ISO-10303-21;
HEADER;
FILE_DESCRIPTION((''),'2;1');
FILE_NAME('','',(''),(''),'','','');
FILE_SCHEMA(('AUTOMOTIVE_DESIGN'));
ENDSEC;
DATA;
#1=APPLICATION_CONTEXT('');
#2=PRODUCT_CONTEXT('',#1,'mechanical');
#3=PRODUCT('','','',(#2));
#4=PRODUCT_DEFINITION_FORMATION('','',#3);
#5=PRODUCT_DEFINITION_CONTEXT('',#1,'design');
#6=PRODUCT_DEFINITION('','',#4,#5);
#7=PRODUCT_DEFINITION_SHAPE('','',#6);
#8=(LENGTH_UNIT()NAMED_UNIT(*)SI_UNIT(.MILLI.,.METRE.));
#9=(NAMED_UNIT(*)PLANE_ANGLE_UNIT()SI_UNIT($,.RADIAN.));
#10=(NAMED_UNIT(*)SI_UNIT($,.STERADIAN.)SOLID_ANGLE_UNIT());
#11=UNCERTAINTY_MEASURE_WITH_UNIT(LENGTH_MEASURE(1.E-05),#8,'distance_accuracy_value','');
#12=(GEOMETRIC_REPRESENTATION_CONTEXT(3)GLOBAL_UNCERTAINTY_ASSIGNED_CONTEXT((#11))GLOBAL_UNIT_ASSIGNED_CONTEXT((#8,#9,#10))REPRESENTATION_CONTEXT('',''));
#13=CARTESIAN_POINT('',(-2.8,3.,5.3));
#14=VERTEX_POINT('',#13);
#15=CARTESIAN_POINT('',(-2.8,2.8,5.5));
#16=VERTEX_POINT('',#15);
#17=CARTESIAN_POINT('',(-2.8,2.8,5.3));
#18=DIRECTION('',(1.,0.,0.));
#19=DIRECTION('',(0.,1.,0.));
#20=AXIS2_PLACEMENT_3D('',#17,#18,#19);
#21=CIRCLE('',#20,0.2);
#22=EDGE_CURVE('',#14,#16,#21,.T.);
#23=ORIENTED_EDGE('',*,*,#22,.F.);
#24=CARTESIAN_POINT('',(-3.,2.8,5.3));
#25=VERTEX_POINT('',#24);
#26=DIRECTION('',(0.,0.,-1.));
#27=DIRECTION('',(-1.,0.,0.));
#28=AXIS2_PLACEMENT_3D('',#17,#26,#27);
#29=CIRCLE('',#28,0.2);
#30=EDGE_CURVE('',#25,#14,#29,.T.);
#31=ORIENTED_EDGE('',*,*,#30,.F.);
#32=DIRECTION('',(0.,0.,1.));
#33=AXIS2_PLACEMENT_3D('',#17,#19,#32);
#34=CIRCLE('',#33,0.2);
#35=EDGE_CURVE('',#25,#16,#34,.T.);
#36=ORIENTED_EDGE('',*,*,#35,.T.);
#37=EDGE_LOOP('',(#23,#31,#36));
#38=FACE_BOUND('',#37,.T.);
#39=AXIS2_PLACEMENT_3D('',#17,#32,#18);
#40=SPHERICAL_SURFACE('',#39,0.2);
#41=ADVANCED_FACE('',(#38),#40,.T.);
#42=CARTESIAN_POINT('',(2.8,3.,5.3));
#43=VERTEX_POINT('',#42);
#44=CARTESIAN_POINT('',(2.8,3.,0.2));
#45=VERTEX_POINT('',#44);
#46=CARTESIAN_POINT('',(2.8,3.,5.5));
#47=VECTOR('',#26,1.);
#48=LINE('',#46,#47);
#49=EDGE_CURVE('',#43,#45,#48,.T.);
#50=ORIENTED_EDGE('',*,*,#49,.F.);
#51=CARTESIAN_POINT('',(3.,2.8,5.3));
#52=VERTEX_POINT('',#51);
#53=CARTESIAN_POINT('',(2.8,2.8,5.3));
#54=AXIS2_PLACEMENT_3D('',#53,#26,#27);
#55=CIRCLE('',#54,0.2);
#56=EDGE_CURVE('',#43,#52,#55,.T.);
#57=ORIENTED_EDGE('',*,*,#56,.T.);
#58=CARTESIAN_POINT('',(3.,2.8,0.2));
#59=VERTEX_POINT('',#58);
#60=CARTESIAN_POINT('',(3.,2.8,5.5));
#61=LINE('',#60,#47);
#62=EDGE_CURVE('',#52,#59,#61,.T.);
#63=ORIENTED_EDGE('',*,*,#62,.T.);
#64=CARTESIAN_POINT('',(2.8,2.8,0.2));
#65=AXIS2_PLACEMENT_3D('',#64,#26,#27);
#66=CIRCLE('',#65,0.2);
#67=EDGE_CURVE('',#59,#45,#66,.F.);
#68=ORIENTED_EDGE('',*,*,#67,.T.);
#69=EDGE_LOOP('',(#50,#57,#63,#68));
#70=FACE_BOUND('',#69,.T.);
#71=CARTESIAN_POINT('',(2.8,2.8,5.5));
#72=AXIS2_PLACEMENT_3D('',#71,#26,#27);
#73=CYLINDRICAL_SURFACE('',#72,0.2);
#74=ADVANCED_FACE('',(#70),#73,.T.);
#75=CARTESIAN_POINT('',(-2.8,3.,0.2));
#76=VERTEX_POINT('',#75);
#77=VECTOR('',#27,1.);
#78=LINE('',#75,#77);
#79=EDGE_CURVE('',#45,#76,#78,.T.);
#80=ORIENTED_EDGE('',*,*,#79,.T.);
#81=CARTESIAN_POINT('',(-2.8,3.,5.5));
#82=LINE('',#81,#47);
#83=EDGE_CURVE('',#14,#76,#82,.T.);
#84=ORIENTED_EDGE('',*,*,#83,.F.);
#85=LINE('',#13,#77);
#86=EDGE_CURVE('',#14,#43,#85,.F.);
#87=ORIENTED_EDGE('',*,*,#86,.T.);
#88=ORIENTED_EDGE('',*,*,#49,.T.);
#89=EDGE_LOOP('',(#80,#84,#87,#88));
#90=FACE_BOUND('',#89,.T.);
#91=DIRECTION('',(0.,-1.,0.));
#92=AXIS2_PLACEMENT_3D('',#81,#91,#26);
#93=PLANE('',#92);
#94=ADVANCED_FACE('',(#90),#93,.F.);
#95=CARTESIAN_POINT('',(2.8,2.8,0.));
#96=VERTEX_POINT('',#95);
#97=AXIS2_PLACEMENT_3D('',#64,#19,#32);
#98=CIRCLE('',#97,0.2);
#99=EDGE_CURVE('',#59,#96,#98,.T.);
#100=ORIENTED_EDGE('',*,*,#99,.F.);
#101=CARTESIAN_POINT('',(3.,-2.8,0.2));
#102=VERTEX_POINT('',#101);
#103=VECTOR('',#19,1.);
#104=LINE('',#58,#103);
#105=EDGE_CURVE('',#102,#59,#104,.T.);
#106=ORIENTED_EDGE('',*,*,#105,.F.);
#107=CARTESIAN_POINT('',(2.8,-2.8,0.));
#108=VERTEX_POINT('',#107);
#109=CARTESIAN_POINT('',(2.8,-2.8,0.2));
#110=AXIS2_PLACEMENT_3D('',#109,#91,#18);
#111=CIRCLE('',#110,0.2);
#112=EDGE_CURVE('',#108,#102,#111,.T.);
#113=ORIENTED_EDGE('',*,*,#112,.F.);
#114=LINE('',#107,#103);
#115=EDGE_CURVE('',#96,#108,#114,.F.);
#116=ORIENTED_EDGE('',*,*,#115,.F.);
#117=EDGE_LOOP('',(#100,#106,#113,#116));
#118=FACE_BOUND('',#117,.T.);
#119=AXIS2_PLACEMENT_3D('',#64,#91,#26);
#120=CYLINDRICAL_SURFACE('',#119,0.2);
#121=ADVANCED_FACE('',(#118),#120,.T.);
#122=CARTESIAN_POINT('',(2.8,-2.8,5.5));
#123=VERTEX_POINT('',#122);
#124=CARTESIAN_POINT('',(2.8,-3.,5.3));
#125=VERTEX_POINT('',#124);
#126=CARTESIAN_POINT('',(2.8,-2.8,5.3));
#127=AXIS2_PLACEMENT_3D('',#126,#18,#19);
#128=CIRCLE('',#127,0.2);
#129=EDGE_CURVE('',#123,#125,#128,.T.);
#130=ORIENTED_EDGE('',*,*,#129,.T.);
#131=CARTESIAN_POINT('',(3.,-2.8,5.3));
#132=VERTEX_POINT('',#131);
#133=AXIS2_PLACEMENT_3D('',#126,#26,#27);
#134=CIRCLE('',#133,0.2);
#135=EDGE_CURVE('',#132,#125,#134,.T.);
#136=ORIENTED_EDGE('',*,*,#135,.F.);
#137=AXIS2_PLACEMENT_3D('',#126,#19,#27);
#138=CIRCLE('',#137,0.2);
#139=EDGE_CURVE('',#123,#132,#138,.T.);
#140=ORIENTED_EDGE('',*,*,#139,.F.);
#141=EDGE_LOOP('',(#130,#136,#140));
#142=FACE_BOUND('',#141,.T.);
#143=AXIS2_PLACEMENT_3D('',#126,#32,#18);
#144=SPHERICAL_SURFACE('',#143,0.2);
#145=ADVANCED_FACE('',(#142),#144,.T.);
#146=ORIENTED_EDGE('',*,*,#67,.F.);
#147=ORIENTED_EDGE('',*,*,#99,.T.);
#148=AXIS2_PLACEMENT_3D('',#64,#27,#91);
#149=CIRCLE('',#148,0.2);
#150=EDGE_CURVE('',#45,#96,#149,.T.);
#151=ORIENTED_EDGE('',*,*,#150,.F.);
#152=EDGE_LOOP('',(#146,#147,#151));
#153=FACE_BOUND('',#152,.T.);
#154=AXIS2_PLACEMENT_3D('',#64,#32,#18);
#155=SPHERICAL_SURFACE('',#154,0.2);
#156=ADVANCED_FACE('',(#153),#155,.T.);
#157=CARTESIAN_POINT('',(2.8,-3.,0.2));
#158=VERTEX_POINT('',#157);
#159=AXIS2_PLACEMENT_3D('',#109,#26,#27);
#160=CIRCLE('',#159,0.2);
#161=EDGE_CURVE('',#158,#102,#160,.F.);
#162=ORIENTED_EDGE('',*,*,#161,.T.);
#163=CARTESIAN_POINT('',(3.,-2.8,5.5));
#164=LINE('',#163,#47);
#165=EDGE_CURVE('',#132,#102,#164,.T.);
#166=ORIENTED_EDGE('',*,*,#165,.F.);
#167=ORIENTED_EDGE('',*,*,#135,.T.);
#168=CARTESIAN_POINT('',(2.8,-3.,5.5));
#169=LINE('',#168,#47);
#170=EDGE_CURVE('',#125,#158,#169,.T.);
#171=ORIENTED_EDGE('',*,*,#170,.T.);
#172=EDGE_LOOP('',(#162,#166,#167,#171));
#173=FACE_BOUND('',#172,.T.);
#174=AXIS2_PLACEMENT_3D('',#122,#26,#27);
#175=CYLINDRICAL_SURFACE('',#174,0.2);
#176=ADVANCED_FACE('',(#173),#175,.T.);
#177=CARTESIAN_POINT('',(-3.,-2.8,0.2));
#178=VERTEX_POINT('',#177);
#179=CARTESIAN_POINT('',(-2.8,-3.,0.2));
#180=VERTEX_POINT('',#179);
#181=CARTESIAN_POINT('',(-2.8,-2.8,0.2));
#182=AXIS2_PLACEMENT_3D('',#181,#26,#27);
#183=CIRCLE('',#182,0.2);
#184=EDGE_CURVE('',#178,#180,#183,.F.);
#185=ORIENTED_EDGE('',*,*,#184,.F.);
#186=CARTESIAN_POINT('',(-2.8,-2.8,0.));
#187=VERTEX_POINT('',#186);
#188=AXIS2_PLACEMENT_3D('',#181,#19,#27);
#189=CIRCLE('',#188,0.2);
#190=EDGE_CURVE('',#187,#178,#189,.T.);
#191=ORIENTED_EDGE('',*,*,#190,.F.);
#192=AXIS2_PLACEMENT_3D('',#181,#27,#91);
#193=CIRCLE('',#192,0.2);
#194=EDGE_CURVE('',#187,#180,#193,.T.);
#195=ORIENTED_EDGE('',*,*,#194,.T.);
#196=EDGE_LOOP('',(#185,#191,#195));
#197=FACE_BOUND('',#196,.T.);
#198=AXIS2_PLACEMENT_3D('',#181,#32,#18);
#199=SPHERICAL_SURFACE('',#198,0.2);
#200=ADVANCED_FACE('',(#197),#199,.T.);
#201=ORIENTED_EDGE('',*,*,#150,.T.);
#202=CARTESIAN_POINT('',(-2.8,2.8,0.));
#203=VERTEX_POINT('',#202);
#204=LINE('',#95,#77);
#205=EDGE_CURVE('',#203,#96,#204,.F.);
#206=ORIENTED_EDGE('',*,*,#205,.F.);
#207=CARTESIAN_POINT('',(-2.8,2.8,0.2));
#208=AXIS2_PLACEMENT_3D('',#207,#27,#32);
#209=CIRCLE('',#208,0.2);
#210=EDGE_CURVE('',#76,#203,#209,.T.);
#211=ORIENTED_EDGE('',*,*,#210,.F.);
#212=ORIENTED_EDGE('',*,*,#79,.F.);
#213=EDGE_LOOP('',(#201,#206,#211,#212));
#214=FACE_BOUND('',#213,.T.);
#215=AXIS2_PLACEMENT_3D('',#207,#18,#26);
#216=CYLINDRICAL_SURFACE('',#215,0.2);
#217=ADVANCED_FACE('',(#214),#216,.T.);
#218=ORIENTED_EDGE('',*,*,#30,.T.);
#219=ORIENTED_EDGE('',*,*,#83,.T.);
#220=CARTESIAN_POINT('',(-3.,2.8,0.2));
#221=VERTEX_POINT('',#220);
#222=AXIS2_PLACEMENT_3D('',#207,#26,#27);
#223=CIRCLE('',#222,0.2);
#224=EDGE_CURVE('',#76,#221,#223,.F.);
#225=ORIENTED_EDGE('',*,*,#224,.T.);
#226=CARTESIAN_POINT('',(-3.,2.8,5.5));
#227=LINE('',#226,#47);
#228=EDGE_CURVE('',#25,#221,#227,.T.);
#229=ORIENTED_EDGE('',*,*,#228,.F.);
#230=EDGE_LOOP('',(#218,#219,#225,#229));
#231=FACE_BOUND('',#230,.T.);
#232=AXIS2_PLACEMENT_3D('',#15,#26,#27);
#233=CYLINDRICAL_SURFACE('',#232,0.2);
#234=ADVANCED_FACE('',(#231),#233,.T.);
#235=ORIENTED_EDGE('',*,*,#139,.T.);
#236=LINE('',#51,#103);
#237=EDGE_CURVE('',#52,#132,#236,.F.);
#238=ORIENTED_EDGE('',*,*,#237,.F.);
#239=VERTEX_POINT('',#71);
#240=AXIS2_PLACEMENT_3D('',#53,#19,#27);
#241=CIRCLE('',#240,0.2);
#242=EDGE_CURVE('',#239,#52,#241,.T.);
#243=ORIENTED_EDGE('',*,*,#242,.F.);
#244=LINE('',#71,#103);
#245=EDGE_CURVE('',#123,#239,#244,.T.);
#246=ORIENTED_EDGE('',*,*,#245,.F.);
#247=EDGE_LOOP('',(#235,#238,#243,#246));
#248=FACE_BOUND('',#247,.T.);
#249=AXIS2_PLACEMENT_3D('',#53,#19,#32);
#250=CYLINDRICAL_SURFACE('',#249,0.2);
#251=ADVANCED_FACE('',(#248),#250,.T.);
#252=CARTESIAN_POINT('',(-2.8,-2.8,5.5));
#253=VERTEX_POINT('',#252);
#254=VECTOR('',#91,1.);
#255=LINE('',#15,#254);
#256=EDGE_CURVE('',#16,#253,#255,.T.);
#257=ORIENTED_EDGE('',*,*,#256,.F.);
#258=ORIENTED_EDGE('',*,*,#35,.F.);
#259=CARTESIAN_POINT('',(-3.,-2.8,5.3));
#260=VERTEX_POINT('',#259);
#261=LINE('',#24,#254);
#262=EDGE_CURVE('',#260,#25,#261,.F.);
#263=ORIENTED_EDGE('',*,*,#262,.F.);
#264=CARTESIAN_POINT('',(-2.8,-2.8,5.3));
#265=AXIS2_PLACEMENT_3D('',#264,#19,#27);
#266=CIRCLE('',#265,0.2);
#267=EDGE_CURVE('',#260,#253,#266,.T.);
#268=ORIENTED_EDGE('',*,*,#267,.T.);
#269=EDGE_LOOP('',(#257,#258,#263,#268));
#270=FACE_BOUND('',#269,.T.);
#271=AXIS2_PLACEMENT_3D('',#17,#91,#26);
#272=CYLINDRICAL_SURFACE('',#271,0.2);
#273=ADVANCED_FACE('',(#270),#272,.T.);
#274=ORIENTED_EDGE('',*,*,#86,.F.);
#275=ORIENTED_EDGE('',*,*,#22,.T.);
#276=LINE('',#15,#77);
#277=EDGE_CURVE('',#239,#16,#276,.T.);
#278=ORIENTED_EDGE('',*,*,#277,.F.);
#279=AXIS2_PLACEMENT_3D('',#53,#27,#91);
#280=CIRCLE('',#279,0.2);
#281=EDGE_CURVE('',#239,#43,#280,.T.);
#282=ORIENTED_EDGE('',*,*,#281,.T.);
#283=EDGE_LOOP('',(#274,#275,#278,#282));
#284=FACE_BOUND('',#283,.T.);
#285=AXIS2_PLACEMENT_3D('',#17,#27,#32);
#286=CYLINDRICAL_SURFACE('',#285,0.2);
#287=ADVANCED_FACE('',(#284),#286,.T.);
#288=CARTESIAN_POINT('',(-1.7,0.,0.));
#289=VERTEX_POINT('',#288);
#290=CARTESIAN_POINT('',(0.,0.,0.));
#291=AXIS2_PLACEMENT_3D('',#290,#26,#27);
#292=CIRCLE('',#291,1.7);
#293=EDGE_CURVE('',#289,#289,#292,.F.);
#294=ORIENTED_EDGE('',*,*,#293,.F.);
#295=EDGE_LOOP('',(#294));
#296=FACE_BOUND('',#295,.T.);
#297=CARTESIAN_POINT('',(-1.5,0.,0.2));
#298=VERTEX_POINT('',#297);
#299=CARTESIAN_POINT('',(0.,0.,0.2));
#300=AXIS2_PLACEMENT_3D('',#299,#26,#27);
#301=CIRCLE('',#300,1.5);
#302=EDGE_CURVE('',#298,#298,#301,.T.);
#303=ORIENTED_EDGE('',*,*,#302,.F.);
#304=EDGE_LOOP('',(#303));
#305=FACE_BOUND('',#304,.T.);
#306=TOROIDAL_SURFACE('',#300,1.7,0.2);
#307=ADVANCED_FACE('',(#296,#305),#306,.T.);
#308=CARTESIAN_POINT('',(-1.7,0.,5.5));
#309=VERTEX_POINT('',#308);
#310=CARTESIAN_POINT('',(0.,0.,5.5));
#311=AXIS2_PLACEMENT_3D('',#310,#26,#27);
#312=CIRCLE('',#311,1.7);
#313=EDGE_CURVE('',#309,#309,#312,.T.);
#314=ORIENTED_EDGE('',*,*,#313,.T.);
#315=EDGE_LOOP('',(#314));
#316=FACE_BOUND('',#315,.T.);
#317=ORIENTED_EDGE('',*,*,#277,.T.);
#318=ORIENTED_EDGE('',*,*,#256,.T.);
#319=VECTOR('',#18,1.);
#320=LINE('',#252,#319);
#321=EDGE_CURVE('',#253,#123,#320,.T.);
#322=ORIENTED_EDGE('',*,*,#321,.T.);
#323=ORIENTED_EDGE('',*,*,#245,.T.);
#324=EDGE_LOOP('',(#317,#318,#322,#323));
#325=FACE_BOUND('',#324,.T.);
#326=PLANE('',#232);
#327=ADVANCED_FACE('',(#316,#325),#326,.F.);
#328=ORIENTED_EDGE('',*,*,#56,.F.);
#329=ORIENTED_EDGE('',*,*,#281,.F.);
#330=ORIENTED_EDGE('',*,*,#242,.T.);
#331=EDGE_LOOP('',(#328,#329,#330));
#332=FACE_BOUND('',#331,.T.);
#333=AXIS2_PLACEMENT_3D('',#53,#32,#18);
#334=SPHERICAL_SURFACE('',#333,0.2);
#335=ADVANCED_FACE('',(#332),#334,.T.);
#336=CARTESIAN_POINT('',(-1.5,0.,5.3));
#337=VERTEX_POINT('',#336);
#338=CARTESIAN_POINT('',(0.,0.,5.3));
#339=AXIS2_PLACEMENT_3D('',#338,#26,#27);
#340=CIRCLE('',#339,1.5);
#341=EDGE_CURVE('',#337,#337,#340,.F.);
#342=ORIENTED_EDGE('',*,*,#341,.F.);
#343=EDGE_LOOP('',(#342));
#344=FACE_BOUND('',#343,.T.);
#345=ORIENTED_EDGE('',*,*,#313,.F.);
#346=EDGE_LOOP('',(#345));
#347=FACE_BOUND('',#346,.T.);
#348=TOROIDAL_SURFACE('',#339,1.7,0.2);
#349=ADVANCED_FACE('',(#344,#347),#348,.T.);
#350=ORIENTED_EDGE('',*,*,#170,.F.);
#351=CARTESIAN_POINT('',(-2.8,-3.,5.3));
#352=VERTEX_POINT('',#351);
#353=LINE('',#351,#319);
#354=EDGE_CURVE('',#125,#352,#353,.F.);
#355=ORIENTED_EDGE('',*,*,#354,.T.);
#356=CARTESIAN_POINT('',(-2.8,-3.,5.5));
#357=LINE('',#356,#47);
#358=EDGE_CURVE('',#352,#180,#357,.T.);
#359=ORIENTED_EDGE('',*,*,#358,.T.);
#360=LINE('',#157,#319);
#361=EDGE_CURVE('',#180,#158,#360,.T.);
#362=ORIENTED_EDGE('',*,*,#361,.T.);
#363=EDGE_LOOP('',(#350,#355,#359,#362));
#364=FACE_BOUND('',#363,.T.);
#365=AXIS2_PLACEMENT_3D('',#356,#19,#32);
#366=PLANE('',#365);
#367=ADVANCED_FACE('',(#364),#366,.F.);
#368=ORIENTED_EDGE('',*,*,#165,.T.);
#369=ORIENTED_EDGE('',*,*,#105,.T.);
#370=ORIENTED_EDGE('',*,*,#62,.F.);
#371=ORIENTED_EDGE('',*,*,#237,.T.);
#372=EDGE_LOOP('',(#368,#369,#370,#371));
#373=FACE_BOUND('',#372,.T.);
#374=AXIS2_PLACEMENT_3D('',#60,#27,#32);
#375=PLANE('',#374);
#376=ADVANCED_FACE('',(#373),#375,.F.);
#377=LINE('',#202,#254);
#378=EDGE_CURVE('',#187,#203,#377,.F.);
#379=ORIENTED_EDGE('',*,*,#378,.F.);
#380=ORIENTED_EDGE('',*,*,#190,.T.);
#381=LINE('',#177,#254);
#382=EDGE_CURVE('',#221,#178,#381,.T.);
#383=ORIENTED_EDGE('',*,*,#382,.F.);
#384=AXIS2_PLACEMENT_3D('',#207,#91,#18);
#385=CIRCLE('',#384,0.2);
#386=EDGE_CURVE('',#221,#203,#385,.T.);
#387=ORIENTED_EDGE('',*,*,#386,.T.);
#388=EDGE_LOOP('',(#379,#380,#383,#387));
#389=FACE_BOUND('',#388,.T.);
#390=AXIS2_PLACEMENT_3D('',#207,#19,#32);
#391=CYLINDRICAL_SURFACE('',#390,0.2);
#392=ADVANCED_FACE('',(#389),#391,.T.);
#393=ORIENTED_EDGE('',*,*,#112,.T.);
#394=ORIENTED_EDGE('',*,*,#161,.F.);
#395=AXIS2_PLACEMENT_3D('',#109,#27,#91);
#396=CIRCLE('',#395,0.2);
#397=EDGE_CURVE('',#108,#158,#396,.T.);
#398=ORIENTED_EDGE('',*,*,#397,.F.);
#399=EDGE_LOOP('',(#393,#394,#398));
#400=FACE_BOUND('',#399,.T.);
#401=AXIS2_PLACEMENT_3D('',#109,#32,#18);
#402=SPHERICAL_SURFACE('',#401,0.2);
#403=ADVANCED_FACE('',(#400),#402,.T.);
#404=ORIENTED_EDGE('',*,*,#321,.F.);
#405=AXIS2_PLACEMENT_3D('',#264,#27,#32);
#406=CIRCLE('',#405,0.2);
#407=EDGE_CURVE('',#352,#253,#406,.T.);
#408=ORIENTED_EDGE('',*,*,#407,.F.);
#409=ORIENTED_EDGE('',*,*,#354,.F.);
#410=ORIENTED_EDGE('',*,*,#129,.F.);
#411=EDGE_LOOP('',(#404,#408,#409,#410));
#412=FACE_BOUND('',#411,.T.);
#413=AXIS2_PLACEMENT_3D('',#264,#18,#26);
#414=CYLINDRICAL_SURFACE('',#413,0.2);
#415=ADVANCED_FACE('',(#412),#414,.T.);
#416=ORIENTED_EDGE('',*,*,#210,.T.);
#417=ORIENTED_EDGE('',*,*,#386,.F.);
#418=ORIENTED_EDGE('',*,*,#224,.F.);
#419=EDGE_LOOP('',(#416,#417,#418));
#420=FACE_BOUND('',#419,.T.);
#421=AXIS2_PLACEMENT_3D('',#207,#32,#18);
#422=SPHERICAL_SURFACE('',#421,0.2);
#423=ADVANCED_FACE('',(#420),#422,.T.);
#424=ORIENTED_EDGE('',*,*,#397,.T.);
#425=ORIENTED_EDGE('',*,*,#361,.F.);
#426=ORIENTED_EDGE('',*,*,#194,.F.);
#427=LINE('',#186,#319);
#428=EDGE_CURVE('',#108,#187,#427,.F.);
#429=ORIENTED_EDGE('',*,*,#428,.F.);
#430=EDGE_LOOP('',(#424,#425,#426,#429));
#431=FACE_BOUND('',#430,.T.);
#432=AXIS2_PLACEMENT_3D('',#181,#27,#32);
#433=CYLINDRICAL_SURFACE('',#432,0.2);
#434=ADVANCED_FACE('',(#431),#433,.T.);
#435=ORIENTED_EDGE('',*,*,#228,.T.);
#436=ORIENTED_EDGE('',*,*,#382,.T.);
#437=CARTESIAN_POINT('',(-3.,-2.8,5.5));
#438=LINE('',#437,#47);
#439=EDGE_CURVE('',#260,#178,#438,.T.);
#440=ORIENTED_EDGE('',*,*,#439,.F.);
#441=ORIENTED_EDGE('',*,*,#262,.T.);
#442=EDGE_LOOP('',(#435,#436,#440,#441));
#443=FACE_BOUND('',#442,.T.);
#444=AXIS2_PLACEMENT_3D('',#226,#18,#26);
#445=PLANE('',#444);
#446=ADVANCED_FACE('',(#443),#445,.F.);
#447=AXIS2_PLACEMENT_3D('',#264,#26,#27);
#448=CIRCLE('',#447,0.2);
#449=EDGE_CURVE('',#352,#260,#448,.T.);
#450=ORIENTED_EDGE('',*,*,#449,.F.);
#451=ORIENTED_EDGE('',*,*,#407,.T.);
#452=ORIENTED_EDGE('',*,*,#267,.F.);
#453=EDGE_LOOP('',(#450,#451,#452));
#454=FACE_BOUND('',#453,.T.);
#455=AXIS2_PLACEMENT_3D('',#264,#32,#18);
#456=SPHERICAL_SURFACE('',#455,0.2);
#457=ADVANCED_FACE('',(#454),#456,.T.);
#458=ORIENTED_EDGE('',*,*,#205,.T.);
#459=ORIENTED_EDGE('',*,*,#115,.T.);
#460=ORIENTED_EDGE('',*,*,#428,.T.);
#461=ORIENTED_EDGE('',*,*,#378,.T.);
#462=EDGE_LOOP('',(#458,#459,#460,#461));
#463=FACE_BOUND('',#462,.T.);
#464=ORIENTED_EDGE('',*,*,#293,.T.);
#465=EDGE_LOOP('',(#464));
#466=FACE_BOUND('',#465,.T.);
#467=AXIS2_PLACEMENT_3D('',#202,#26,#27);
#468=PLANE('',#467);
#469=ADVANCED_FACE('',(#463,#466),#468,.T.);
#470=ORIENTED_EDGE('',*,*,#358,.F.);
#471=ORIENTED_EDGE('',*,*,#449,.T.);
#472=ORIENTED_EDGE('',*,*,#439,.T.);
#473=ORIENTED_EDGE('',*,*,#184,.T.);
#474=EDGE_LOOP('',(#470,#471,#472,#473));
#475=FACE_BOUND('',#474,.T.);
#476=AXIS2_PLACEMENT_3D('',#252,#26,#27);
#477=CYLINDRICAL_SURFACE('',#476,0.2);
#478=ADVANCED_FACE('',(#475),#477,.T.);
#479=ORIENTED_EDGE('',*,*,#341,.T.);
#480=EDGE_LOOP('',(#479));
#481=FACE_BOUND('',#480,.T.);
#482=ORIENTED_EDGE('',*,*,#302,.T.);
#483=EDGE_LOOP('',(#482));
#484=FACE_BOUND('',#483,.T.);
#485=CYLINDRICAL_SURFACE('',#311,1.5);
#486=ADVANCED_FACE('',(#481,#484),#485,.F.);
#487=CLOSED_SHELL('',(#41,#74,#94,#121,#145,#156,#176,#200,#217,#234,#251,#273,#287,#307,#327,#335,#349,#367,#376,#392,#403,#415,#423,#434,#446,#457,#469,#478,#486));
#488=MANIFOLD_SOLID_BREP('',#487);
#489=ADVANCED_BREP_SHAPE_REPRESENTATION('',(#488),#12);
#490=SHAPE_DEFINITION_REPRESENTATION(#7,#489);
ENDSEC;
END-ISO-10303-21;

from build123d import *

# Parameters (mm, degrees)
ESQUISSE1_R      = 1.5
EXTRUSION1_DEPTH = 5.5
CONG_1_R         = 0.2


with BuildPart() as part:
    # Esquisse1 → Extrusion1 (new body)
    with BuildSketch(Plane.XY):
        with BuildLine():
            Line((-2.8, 3), (2.8, 3))
            ThreePointArc((2.8, 3), (2.941421356, 2.941421356), (3, 2.8))
            Line((3, 2.8), (3, -2.8))
            ThreePointArc((3, -2.8), (2.941421356, -2.941421356), (2.8, -3))
            Line((2.8, -3), (-2.8, -3))
            ThreePointArc((-2.8, -3), (-2.941421356, -2.941421356), (-3, -2.8))
            Line((-3, -2.8), (-3, 2.8))
            ThreePointArc((-3, 2.8), (-2.941421356, 2.941421356), (-2.8, 3))
        make_face()
        with Locations(Location((0, 0, 0), (0, 0, 180))):
            Circle(ESQUISSE1_R, mode=Mode.SUBTRACT)
    extrude(amount=EXTRUSION1_DEPTH)

    # Congé1
    cong_1_edges = [part.edges().sort_by_distance(p)[0] for p in [
        (0, 3, 0),
        (0, 3, 5.5),
        (2.941421356, 2.941421356, 0),
        (2.941421356, 2.941421356, 5.5),
        (3, 0, 0),
        (3, 0, 5.5),
        (2.941421356, -2.941421356, 0),
        (2.941421356, -2.941421356, 5.5),
        (0, -3, 0),
        (0, -3, 5.5),
        (-2.941421356, -2.941421356, 0),
        (-2.941421356, -2.941421356, 5.5),
        (-3, 0, 0),
        (-3, 0, 5.5),
        (-2.941421356, 2.941421356, 0),
        (-2.941421356, 2.941421356, 5.5),
        (1.5, 0, 0),
        (1.5, 0, 5.5),
    ]]
    fillet(cong_1_edges, radius=CONG_1_R)


solid = part.part
